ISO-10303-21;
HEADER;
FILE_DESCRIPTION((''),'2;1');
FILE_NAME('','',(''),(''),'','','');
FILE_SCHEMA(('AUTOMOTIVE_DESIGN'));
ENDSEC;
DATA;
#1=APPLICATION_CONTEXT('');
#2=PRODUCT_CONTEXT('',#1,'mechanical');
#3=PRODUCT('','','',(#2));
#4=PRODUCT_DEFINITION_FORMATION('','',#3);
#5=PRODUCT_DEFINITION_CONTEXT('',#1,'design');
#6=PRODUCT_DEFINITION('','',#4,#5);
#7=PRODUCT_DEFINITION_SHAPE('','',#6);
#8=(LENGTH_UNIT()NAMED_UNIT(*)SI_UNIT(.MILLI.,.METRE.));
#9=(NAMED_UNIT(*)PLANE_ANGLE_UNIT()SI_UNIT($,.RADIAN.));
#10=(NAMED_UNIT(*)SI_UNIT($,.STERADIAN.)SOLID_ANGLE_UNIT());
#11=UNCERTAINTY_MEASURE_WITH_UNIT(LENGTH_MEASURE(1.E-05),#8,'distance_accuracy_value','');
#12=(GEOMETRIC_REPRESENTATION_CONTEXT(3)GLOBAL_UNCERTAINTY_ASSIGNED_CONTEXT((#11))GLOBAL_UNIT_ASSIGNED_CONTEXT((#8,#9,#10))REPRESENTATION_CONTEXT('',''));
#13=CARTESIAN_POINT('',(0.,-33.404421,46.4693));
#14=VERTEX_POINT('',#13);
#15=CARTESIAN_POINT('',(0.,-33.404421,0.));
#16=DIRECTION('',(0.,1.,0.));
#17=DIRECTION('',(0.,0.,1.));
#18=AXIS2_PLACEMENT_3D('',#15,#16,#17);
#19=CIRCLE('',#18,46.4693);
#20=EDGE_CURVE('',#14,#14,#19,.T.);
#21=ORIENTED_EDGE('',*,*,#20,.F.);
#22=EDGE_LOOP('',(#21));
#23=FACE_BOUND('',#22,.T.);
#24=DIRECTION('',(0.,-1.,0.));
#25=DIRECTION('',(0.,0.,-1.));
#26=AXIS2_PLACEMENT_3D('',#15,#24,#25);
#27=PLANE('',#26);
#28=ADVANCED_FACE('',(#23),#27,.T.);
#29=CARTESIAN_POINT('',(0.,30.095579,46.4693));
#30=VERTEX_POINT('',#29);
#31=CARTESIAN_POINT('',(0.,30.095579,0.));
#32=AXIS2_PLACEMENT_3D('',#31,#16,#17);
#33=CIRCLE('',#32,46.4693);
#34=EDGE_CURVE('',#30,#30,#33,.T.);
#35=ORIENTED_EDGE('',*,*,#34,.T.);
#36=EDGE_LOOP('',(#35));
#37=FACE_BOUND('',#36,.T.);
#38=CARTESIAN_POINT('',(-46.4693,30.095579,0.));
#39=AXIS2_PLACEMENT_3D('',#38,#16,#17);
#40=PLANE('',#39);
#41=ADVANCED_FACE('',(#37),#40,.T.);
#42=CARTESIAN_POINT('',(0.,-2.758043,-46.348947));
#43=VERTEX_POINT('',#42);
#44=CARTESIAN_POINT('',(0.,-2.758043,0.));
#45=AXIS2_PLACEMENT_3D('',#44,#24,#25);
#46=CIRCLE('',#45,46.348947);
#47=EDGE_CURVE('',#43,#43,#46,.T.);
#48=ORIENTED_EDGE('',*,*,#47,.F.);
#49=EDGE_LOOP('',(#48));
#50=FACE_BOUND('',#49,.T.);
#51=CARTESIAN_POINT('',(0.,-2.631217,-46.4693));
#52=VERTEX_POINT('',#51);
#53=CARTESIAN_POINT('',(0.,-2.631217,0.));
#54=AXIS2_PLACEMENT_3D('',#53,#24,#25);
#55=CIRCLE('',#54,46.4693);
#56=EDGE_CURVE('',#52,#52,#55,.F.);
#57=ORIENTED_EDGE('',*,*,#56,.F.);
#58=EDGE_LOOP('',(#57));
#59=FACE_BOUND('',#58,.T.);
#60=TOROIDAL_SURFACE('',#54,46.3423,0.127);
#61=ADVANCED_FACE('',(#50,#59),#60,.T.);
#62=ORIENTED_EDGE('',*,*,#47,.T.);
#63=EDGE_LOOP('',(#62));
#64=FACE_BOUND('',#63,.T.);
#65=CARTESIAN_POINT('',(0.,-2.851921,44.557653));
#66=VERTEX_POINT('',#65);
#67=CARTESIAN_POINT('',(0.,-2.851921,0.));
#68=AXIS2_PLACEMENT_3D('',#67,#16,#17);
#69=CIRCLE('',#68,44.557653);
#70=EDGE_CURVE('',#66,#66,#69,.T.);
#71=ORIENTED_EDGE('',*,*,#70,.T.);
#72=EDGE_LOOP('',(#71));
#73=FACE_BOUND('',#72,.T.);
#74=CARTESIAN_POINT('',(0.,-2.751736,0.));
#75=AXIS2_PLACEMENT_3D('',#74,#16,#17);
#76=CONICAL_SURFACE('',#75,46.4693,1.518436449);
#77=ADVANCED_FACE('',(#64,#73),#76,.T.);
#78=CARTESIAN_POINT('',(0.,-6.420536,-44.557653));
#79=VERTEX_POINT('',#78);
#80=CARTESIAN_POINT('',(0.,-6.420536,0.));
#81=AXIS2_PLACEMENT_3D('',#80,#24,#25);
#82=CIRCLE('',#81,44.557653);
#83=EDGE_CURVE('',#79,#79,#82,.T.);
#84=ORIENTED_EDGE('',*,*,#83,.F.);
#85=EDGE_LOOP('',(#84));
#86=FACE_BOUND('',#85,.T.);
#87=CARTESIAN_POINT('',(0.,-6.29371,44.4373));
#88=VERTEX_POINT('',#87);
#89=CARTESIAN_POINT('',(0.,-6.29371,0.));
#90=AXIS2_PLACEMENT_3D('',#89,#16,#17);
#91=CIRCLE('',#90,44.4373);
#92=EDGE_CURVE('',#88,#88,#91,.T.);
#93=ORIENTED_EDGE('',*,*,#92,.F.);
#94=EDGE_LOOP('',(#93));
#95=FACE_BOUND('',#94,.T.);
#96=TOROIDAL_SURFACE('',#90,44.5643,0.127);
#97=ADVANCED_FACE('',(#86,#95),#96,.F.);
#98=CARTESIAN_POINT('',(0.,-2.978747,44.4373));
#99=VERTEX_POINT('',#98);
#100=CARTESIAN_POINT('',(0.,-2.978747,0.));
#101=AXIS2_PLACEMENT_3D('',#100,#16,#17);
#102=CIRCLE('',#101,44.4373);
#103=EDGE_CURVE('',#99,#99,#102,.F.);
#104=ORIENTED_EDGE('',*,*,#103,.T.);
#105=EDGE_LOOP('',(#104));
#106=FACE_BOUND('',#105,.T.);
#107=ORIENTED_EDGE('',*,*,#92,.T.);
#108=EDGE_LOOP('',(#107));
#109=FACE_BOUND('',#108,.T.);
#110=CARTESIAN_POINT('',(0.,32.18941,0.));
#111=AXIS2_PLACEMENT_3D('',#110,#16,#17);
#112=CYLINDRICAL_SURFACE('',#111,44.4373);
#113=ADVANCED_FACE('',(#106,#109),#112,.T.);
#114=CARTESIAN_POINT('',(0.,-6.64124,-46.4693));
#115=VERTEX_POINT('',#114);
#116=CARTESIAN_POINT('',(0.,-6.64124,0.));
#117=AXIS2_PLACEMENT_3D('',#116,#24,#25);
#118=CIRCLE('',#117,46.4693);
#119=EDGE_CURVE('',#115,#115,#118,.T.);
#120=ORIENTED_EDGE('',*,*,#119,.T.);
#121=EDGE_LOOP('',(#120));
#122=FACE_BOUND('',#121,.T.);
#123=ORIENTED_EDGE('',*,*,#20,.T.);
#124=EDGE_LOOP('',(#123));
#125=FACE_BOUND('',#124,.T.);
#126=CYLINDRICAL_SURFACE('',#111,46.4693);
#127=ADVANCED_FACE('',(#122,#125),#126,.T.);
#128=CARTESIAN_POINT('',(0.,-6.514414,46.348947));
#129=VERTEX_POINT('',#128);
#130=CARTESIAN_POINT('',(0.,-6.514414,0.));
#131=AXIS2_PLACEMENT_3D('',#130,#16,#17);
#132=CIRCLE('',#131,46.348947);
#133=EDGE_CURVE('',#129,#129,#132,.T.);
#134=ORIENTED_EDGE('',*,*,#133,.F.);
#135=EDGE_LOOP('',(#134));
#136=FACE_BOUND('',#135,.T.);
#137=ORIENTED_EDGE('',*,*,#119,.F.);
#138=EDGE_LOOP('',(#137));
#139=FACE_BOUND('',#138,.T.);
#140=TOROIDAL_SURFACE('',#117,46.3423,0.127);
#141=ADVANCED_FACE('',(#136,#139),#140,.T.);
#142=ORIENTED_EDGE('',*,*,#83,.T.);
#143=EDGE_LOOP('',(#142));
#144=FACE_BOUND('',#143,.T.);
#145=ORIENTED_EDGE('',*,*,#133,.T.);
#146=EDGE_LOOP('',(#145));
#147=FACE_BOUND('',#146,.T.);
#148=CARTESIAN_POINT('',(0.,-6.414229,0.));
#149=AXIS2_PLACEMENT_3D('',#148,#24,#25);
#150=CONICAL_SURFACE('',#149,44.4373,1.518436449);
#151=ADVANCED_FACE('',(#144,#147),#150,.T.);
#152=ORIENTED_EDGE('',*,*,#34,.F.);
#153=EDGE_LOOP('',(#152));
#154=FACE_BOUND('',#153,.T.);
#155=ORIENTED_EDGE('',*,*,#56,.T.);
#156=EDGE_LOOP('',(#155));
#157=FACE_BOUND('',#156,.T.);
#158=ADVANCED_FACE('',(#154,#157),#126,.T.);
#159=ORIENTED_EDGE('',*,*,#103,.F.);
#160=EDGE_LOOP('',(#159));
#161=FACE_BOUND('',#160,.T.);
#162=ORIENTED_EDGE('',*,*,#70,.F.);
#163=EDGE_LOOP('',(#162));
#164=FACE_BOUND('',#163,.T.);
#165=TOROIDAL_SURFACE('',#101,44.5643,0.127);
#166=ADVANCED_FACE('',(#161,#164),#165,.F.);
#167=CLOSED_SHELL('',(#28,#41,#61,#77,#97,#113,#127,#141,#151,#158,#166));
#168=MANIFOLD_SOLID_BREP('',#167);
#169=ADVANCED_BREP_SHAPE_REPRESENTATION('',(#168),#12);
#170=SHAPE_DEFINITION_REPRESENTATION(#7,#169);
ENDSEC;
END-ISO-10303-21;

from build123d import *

# Parameters (mm, degrees)
FILLET1_R = 0.127
FILLET2_R = 0.127


with BuildPart() as part:
    # Sketch1 → Revolve3 (revolve)
    with BuildSketch(Plane.XY, mode=Mode.PRIVATE) as revolve3_sk:
        Polygon((0, -33.404421277), (-46.4693, -33.404421277), (-46.4693, -6.520721208), (-44.4373, -6.414228601), (-44.4373, -2.858228601), (-46.4693, -2.751735993), (-46.4693, 30.095578723), (0, 30.095578723), align=None)
    revolve(revolve3_sk.sketch.rotate(Axis((0, 32.189409805, 0), (0, -1, 0)), 270), axis=Axis((0, 32.189409805, 0), (0, -1, 0)))

    # Fillet1
    fillet1_edges = [part.edges().sort_by_distance(p)[0] for p in [
        (0, -2.751735993, -46.4693),
        (0, -6.520721208, -46.4693),
    ]]
    fillet(fillet1_edges, radius=FILLET1_R)

    # Fillet2
    fillet2_edges = [part.edges().sort_by_distance(p)[0] for p in [
        (0, -2.858228601, -44.4373),
        (0, -6.414228601, -44.4373),
    ]]
    fillet(fillet2_edges, radius=FILLET2_R)


solid = part.part
